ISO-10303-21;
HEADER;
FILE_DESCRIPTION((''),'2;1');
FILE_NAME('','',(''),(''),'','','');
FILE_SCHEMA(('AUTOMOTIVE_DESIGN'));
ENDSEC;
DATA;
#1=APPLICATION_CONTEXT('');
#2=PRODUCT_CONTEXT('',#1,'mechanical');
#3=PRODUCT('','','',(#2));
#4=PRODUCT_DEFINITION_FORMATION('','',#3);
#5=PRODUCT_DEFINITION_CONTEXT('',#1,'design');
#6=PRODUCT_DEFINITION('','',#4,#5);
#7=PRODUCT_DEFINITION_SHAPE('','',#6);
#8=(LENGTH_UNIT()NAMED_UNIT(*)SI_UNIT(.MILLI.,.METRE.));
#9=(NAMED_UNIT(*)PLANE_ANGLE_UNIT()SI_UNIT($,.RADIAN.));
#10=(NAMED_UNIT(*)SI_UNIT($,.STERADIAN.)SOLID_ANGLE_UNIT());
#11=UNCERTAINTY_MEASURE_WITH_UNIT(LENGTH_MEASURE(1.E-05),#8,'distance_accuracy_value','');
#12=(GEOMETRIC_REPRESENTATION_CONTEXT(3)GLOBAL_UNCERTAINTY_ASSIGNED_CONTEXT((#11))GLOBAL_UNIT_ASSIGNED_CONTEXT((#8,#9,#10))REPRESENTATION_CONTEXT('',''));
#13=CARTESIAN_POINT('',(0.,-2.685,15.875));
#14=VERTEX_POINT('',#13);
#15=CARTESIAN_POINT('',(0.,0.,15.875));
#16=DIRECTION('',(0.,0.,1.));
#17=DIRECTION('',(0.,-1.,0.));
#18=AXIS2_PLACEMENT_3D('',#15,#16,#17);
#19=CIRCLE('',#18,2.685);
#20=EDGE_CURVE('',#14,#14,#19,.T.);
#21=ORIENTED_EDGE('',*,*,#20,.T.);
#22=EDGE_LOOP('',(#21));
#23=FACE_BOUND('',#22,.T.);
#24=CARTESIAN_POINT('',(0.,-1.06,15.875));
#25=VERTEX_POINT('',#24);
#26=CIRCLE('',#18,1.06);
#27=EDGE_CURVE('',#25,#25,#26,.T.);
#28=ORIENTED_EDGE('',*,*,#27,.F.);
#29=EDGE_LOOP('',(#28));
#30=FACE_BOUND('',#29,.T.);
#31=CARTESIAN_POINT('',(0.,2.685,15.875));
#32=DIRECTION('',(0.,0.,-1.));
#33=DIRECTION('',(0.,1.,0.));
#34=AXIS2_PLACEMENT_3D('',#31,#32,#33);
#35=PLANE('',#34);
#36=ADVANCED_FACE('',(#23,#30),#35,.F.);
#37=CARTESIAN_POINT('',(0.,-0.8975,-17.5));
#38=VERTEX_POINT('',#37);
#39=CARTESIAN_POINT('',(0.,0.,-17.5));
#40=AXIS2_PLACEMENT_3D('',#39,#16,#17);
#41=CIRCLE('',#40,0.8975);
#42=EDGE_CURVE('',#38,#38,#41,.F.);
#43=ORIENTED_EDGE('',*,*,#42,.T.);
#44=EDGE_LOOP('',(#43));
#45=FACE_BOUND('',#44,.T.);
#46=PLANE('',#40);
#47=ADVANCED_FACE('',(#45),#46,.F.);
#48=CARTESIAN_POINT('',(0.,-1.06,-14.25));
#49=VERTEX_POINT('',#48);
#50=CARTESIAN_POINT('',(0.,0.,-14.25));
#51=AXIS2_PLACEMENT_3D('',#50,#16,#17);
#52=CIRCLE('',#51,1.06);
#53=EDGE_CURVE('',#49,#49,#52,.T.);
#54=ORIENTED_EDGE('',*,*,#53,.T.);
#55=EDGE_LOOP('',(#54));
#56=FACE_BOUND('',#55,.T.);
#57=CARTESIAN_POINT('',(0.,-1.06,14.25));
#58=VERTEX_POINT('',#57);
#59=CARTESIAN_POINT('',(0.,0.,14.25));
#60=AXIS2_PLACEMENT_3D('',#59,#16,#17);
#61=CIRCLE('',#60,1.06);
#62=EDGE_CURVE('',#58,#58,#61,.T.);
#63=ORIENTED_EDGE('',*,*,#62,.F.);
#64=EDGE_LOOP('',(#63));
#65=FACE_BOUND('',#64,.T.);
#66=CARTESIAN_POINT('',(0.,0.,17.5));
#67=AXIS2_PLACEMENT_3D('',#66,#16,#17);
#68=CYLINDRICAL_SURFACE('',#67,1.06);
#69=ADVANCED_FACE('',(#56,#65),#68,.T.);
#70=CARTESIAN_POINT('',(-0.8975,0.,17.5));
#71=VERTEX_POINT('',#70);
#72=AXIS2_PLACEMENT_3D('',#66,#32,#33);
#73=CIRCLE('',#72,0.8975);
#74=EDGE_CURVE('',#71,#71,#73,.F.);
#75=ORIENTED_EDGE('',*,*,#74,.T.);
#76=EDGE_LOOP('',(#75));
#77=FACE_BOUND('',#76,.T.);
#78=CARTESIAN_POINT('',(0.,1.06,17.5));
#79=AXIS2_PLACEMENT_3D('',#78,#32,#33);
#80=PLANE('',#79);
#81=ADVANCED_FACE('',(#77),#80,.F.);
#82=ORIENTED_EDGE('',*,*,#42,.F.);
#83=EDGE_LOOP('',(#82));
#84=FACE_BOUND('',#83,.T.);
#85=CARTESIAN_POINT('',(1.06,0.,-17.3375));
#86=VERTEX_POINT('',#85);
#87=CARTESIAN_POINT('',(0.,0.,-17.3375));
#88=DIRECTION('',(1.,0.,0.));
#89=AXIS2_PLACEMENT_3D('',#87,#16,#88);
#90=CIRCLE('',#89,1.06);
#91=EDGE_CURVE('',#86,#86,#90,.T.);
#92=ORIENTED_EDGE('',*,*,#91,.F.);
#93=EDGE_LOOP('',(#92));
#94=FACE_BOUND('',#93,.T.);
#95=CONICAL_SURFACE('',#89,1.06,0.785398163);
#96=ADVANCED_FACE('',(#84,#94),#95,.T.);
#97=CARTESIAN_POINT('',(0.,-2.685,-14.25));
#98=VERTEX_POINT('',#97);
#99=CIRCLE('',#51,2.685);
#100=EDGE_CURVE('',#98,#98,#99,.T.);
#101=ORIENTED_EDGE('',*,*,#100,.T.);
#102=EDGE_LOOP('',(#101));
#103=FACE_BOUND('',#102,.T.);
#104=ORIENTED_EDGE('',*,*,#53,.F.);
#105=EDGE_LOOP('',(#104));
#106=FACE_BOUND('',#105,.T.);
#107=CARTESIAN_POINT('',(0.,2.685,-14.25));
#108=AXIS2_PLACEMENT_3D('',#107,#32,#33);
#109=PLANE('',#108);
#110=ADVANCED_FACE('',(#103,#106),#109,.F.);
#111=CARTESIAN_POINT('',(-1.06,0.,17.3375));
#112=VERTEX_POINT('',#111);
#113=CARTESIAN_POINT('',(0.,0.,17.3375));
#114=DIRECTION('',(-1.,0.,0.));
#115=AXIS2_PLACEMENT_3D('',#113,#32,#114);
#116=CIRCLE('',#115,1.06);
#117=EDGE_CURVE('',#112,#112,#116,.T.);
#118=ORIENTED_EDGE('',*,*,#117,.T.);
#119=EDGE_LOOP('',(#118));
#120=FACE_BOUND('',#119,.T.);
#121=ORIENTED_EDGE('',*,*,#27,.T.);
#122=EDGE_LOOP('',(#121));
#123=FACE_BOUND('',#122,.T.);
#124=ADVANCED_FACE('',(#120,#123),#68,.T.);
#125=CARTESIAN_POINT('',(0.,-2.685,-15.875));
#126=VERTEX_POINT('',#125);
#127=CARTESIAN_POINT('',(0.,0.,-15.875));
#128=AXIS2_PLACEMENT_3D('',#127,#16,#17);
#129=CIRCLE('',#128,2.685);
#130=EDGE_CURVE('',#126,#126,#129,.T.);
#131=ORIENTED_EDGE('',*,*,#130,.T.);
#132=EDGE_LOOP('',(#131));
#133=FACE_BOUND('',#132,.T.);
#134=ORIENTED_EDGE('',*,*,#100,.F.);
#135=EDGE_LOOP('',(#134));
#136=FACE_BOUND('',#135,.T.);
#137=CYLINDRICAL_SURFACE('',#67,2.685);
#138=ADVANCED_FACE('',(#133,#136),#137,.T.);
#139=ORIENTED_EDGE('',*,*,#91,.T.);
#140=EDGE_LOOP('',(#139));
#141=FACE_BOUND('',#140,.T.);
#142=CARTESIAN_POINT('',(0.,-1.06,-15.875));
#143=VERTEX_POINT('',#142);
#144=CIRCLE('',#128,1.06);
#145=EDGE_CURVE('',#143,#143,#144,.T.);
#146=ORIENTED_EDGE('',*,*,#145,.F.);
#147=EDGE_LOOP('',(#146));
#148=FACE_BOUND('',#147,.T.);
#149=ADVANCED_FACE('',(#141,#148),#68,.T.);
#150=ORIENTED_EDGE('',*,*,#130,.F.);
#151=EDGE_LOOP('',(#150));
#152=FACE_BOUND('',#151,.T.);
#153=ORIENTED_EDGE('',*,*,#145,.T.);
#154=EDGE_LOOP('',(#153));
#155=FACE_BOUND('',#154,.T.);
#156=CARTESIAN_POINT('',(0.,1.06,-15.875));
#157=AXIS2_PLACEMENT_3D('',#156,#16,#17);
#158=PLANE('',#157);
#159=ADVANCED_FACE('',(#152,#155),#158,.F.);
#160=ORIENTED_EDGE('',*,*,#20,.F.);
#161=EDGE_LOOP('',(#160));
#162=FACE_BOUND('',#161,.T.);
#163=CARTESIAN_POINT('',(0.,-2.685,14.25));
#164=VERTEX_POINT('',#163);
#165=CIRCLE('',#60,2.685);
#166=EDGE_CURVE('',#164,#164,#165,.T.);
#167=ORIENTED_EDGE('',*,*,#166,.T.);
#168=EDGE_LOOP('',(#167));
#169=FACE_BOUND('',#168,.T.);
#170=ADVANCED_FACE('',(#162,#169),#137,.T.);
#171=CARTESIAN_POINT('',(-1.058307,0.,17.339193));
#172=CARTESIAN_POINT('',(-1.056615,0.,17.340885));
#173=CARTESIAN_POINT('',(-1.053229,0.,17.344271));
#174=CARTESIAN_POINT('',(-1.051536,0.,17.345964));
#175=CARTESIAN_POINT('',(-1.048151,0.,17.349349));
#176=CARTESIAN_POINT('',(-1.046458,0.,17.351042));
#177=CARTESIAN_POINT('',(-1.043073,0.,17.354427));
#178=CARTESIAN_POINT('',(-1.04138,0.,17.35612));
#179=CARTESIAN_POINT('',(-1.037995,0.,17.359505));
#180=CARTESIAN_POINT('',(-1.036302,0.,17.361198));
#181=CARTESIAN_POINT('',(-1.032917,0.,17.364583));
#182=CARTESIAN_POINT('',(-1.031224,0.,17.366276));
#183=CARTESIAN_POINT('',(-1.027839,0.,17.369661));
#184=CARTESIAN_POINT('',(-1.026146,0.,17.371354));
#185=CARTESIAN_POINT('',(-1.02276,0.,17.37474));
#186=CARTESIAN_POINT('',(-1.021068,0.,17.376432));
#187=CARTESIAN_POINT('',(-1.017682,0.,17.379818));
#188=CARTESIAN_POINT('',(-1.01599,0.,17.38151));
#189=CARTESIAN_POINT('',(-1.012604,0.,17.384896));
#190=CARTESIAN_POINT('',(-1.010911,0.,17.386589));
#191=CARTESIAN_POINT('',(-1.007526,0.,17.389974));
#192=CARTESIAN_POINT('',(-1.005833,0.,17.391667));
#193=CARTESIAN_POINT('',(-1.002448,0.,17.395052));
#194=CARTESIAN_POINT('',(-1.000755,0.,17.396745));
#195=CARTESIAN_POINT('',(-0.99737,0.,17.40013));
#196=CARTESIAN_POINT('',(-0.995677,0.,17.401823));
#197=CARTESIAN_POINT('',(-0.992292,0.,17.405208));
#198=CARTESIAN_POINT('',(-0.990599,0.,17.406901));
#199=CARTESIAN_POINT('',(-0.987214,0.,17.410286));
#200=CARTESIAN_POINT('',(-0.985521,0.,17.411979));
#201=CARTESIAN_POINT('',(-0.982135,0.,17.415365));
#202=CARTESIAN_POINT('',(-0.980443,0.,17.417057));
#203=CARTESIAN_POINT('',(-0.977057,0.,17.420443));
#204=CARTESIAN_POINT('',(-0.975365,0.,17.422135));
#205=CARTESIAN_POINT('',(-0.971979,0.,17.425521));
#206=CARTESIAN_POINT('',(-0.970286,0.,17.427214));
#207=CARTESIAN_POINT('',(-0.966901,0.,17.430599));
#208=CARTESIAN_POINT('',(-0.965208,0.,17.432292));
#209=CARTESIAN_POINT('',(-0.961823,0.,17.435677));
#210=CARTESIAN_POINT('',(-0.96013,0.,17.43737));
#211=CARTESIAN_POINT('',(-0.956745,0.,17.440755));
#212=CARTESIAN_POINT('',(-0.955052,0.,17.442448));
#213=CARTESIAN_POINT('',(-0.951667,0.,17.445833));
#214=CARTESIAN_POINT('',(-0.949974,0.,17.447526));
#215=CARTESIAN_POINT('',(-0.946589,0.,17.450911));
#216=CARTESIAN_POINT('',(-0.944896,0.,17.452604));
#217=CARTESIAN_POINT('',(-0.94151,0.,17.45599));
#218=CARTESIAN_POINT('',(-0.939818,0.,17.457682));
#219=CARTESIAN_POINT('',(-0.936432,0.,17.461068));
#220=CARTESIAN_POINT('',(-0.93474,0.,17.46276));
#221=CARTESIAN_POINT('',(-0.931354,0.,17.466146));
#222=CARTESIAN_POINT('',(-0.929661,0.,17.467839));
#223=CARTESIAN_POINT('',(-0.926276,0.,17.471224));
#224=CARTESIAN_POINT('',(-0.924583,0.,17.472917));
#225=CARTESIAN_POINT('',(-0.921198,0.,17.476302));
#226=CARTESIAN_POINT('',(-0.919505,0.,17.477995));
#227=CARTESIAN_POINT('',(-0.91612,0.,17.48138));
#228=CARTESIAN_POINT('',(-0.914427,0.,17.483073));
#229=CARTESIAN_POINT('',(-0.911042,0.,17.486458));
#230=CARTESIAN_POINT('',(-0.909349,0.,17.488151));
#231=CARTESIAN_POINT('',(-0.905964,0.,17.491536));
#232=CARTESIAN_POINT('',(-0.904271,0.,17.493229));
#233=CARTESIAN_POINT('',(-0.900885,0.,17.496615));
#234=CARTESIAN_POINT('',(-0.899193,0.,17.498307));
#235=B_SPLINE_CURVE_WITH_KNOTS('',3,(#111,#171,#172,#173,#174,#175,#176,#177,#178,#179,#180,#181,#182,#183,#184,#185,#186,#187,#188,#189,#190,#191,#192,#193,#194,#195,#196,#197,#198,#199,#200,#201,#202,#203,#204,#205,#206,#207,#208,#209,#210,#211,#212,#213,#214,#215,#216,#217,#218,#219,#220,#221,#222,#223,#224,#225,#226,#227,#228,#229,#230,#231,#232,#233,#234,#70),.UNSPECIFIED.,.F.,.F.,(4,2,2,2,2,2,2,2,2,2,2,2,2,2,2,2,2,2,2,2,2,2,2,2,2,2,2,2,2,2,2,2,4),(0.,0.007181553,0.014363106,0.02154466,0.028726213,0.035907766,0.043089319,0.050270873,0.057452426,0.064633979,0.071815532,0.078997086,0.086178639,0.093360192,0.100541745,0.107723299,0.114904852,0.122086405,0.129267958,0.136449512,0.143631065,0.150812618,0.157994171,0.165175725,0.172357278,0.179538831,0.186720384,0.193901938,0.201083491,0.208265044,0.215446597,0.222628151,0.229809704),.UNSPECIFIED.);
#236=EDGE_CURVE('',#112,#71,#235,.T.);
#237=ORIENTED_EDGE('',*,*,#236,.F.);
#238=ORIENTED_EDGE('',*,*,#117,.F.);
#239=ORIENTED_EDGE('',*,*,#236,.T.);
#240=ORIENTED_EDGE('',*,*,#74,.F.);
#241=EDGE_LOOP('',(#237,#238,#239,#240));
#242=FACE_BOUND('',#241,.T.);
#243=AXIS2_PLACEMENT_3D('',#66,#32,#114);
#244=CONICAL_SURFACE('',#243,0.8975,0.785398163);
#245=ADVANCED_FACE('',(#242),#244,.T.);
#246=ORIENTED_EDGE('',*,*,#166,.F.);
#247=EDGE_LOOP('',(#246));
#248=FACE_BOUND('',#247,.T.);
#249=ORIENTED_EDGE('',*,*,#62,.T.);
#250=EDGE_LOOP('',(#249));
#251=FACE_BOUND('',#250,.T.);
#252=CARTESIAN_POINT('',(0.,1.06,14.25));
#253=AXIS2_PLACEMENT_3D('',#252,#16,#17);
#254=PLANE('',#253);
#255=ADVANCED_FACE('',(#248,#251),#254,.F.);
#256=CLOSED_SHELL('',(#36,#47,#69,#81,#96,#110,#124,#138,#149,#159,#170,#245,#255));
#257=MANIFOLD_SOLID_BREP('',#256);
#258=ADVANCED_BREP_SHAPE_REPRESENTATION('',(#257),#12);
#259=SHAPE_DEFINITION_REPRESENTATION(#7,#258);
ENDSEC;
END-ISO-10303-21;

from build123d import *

# Parameters (mm, degrees)
CHAMFER_1_SIZE = 0.1625


with BuildPart() as part:
    # 草图2 → 旋转1 (revolve)
    with BuildSketch(Plane(origin=(0, 0, 0), x_dir=(0, 0, -1), z_dir=(1, 0, 0))):
        Polygon((-17.5, 0), (17.5, 0), (17.5, 1.06), (15.875, 1.06), (15.875, 2.685), (14.25, 2.685), (14.25, 1.06), (-14.25, 1.06), (-14.25, 2.685), (-15.875, 2.685), (-15.875, 1.06), (-17.5, 1.06), align=None)
    revolve(axis=Axis((0, 0, 17.5), (0, 0, -1)))

    # 倒角1
    chamfer_1_edges = [part.edges().sort_by_distance(p)[0] for p in [
        (0, -1.06, -17.5),
        (0, -1.06, 17.5),
    ]]
    chamfer(chamfer_1_edges, length=CHAMFER_1_SIZE)


solid = part.part
